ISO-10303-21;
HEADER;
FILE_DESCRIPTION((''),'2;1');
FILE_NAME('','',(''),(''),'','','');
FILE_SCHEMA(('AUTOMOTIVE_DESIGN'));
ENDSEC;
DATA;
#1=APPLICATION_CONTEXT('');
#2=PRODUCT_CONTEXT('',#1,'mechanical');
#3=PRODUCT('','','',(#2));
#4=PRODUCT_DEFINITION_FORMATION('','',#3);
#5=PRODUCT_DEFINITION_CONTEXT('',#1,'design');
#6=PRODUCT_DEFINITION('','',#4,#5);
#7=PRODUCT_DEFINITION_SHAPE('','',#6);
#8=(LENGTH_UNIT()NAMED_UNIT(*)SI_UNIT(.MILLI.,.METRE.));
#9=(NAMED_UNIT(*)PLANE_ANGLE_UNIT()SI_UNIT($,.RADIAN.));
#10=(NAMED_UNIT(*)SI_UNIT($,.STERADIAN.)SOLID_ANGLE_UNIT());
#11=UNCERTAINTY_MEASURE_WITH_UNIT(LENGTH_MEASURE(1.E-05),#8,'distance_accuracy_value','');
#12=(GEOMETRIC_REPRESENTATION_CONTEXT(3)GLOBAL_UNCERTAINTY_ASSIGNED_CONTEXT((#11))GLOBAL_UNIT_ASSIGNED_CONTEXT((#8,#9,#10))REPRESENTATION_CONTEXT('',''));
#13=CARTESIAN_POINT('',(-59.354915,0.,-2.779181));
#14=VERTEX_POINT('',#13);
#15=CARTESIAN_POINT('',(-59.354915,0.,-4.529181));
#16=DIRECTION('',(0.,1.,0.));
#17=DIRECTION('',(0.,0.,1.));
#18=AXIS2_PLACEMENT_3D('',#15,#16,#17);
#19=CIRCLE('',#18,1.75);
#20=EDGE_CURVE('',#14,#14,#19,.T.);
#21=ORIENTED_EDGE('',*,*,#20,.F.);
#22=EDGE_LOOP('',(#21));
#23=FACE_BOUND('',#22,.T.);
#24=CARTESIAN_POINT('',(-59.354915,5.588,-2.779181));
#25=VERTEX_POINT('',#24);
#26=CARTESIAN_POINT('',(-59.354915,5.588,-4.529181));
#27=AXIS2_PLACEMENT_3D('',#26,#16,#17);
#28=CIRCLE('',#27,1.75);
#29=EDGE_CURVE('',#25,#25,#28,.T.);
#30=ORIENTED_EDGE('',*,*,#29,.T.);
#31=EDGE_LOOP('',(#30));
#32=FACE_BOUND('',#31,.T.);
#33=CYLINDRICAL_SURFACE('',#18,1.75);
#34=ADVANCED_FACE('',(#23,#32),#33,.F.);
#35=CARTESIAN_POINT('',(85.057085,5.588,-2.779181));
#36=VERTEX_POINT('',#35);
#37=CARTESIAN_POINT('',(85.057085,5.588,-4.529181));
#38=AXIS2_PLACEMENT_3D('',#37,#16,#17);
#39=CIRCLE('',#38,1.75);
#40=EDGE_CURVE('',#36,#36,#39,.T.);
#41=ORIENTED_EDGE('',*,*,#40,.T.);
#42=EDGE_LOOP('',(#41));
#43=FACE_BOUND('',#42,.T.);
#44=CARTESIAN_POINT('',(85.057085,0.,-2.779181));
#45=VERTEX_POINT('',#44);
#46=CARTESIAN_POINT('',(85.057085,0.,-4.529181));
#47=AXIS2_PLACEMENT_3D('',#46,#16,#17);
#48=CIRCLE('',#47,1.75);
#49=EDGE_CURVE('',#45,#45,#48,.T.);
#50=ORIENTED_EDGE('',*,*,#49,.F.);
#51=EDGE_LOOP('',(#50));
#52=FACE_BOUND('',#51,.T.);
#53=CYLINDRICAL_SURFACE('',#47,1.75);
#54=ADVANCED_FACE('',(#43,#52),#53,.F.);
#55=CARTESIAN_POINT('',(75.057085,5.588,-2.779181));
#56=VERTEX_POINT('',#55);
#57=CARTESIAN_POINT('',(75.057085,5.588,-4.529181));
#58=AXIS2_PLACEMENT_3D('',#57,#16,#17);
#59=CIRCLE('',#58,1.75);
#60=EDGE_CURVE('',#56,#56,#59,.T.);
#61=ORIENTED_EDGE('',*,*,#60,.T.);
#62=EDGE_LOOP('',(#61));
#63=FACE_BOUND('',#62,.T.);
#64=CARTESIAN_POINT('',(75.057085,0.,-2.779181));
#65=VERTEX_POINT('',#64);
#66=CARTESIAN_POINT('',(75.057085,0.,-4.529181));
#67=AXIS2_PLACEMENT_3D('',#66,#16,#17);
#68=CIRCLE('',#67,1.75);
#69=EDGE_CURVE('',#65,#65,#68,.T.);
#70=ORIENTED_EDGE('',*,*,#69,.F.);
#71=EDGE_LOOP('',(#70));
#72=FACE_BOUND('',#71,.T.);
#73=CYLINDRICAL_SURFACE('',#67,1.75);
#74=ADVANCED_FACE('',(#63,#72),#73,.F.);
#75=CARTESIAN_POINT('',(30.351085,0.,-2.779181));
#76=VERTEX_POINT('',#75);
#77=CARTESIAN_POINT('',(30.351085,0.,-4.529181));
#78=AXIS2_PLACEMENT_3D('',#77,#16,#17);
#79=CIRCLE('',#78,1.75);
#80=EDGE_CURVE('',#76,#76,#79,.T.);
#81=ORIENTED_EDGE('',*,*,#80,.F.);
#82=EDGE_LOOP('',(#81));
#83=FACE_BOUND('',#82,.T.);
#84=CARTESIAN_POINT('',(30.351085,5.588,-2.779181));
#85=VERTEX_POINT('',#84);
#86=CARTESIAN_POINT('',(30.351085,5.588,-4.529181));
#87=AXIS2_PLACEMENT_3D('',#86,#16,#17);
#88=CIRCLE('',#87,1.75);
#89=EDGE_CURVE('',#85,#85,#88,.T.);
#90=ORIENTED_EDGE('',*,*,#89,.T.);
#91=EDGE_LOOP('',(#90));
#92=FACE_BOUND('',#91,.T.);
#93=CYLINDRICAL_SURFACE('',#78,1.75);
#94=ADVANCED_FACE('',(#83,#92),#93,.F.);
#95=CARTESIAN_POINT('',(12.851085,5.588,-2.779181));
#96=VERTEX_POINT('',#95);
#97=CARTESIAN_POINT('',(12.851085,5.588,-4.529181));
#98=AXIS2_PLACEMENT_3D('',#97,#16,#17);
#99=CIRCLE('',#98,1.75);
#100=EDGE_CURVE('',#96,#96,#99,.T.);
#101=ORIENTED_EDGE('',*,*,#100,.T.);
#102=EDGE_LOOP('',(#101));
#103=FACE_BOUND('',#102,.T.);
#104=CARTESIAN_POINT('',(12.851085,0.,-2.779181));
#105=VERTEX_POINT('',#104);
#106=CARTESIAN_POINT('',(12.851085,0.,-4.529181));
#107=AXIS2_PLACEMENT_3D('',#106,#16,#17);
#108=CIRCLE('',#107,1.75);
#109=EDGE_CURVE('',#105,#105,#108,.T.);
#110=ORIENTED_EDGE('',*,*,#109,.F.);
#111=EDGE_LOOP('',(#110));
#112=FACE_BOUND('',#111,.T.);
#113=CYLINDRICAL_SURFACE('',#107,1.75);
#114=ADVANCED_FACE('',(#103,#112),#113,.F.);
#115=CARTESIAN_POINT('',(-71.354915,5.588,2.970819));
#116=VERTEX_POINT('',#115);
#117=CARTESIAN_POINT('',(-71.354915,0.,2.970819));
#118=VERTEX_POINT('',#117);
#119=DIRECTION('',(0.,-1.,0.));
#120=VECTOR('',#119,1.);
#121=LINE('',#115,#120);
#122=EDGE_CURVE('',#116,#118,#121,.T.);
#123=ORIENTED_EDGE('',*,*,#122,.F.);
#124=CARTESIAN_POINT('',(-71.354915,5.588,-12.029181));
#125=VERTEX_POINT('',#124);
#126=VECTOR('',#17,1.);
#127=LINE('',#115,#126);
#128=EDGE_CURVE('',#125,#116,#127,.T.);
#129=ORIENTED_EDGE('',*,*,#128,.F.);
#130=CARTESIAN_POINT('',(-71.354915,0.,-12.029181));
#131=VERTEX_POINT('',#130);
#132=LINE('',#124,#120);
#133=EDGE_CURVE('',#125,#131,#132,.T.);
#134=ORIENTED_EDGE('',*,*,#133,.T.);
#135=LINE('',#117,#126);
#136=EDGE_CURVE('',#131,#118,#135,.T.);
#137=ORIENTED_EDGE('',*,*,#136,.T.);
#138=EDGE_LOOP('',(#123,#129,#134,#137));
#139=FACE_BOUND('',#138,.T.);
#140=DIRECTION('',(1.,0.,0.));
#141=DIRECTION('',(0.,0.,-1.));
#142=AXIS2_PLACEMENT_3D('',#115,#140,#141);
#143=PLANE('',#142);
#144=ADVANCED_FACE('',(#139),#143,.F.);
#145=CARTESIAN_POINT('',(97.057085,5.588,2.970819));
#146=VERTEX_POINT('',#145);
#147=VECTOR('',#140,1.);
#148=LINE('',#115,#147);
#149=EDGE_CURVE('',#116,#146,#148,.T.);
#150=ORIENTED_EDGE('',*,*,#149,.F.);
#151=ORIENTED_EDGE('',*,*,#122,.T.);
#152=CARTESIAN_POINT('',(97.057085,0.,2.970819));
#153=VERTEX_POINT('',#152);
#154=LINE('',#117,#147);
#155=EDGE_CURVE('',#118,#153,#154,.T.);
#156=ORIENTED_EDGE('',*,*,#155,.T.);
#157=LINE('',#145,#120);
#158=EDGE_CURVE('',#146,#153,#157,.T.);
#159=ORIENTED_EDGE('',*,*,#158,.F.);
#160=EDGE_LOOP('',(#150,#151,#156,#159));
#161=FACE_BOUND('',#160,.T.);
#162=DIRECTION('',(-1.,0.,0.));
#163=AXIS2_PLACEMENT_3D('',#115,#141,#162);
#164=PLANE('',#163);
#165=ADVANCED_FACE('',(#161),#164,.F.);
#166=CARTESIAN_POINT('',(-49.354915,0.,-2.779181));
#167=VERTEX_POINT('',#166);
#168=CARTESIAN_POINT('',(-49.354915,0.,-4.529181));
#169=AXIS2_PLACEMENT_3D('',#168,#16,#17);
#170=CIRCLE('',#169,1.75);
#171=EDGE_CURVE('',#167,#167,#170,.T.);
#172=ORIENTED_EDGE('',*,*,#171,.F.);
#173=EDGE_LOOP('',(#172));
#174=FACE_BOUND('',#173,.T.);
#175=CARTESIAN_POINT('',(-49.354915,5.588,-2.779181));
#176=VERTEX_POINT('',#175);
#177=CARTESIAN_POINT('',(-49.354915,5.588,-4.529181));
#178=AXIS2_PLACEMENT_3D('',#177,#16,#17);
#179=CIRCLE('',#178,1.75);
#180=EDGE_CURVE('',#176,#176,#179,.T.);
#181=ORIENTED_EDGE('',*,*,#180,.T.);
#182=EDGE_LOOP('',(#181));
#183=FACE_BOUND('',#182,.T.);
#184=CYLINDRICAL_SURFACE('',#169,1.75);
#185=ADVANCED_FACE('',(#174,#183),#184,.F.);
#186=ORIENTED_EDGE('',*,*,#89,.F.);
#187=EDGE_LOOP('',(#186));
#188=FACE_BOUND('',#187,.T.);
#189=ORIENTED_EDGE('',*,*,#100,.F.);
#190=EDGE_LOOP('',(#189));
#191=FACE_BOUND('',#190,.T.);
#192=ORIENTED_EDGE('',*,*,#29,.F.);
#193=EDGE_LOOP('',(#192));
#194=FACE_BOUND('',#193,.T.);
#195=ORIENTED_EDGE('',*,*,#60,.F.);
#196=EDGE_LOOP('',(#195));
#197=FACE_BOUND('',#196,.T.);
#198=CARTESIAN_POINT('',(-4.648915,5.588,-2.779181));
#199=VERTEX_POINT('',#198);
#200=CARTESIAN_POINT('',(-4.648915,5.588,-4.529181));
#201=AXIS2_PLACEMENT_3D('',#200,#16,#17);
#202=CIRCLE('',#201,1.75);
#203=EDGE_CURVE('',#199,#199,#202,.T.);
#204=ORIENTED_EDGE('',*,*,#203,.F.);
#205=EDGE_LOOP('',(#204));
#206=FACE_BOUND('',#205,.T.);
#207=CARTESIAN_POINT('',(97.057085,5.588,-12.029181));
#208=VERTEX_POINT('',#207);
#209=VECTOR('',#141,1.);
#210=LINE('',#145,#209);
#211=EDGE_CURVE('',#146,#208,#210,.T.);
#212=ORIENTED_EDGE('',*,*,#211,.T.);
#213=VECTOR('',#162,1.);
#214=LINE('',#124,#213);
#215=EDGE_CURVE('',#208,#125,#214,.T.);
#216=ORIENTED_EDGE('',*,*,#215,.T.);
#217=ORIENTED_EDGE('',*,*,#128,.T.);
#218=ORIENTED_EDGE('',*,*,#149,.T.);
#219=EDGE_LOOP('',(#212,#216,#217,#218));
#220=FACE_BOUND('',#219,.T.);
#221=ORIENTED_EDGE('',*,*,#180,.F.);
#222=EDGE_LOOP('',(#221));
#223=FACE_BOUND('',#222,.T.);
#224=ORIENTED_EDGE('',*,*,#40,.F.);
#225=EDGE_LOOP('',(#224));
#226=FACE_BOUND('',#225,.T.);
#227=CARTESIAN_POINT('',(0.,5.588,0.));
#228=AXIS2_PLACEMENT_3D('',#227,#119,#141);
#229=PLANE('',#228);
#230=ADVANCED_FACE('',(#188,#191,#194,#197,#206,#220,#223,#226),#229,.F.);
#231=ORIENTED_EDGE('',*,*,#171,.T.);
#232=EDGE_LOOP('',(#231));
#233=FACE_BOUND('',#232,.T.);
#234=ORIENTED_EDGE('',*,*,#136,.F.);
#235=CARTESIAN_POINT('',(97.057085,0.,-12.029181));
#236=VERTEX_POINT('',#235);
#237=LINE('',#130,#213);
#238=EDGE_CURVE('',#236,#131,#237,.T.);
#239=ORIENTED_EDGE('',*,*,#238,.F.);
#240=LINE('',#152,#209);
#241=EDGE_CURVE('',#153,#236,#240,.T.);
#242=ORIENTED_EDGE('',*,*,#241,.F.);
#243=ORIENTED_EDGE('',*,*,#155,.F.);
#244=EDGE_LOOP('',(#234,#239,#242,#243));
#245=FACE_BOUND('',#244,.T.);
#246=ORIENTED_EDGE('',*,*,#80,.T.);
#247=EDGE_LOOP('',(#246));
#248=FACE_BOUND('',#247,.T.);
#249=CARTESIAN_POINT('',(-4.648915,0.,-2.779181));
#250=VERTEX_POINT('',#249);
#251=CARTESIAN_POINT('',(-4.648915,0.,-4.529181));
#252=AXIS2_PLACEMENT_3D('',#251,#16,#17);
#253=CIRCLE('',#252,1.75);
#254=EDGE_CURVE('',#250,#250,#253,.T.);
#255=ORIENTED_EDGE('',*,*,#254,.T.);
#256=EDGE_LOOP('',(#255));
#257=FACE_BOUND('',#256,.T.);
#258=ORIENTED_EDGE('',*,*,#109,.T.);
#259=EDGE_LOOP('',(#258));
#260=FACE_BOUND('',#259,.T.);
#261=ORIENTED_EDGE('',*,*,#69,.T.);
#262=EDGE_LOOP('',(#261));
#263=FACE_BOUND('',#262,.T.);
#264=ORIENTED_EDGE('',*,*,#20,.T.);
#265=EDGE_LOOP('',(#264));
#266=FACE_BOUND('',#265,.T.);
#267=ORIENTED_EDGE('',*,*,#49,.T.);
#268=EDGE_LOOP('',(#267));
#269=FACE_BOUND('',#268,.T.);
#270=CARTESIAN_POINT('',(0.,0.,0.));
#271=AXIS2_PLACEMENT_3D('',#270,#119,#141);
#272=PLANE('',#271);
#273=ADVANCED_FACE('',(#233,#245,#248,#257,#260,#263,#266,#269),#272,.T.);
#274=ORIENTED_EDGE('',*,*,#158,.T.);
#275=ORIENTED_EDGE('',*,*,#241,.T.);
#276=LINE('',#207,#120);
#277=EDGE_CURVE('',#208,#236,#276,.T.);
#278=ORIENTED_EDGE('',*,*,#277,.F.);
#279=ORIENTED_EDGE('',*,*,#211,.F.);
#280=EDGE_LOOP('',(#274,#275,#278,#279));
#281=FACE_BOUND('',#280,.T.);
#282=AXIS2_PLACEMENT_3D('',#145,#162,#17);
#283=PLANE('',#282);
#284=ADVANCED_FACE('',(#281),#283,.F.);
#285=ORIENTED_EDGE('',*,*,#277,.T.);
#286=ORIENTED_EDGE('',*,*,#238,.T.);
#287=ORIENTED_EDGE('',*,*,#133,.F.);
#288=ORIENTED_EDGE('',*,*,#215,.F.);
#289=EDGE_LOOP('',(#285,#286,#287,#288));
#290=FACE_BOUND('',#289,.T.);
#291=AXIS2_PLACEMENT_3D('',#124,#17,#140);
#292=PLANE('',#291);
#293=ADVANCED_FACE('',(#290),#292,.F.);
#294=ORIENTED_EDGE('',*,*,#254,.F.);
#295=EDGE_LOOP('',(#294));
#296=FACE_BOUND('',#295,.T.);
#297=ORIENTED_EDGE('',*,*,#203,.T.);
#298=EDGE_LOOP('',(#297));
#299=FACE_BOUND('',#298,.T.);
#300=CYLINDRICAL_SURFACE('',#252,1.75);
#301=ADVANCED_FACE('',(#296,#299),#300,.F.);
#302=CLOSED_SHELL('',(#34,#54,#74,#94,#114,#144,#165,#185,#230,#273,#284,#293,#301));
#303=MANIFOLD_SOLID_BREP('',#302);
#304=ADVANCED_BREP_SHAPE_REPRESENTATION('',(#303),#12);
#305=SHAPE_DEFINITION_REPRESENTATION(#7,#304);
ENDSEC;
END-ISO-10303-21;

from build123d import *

# Parameters (mm, degrees)
SKETCH1_W           = 168.412
SKETCH1_H           = 15
BOSS_EXTRUDE1_DEPTH = 5.588
SKETCH2_R           = 1.75
CUT_EXTRUDE1_DEPTH  = 98.959199068
SKETCH3_R           = 1.75
CUT_EXTRUDE2_DEPTH  = 98.959199068


with BuildPart() as part:
    # Sketch1 → Boss-Extrude1 (new body)
    with BuildSketch(Plane(origin=(0, 0, 0), x_dir=(1, 0, 0), z_dir=(0, 1, 0))):
        with Locations((12.851084959, 4.52918108)):
            Rectangle(SKETCH1_W, SKETCH1_H)
    extrude(amount=BOSS_EXTRUDE1_DEPTH)

    # Sketch2 → Cut-Extrude1 (cut, through all)
    with BuildSketch(Plane(origin=(0, 5.588, 0), x_dir=(1, 0, 0), z_dir=(0, 1, 0))):
        with Locations(Location((-59.354915041, 4.52918108, 0), (0, 0, 270))):
            Circle(SKETCH2_R)
        with Locations(Location((-49.354915041, 4.52918108, 0), (0, 0, 270))):
            Circle(SKETCH2_R)
        with Locations(Location((75.057084959, 4.52918108, 0), (0, 0, 270))):
            Circle(SKETCH2_R)
        with Locations(Location((85.057084959, 4.52918108, 0), (0, 0, 270))):
            Circle(SKETCH2_R)
    extrude(amount=-CUT_EXTRUDE1_DEPTH, mode=Mode.SUBTRACT)

    # Sketch3 → Cut-Extrude2 (cut, through all)
    with BuildSketch(Plane(origin=(0, 5.588, 0), x_dir=(1, 0, 0), z_dir=(0, 1, 0))):
        with Locations(Location((-4.648915041, 4.52918108, 0), (0, 0, 270))):
            Circle(SKETCH3_R)
        with Locations(Location((30.351084959, 4.52918108, 0), (0, 0, 270))):
            Circle(SKETCH3_R)
        with Locations(Location((12.851084959, 4.52918108, 0), (0, 0, 270))):
            Circle(SKETCH3_R)
    extrude(amount=-CUT_EXTRUDE2_DEPTH, mode=Mode.SUBTRACT)


solid = part.part
